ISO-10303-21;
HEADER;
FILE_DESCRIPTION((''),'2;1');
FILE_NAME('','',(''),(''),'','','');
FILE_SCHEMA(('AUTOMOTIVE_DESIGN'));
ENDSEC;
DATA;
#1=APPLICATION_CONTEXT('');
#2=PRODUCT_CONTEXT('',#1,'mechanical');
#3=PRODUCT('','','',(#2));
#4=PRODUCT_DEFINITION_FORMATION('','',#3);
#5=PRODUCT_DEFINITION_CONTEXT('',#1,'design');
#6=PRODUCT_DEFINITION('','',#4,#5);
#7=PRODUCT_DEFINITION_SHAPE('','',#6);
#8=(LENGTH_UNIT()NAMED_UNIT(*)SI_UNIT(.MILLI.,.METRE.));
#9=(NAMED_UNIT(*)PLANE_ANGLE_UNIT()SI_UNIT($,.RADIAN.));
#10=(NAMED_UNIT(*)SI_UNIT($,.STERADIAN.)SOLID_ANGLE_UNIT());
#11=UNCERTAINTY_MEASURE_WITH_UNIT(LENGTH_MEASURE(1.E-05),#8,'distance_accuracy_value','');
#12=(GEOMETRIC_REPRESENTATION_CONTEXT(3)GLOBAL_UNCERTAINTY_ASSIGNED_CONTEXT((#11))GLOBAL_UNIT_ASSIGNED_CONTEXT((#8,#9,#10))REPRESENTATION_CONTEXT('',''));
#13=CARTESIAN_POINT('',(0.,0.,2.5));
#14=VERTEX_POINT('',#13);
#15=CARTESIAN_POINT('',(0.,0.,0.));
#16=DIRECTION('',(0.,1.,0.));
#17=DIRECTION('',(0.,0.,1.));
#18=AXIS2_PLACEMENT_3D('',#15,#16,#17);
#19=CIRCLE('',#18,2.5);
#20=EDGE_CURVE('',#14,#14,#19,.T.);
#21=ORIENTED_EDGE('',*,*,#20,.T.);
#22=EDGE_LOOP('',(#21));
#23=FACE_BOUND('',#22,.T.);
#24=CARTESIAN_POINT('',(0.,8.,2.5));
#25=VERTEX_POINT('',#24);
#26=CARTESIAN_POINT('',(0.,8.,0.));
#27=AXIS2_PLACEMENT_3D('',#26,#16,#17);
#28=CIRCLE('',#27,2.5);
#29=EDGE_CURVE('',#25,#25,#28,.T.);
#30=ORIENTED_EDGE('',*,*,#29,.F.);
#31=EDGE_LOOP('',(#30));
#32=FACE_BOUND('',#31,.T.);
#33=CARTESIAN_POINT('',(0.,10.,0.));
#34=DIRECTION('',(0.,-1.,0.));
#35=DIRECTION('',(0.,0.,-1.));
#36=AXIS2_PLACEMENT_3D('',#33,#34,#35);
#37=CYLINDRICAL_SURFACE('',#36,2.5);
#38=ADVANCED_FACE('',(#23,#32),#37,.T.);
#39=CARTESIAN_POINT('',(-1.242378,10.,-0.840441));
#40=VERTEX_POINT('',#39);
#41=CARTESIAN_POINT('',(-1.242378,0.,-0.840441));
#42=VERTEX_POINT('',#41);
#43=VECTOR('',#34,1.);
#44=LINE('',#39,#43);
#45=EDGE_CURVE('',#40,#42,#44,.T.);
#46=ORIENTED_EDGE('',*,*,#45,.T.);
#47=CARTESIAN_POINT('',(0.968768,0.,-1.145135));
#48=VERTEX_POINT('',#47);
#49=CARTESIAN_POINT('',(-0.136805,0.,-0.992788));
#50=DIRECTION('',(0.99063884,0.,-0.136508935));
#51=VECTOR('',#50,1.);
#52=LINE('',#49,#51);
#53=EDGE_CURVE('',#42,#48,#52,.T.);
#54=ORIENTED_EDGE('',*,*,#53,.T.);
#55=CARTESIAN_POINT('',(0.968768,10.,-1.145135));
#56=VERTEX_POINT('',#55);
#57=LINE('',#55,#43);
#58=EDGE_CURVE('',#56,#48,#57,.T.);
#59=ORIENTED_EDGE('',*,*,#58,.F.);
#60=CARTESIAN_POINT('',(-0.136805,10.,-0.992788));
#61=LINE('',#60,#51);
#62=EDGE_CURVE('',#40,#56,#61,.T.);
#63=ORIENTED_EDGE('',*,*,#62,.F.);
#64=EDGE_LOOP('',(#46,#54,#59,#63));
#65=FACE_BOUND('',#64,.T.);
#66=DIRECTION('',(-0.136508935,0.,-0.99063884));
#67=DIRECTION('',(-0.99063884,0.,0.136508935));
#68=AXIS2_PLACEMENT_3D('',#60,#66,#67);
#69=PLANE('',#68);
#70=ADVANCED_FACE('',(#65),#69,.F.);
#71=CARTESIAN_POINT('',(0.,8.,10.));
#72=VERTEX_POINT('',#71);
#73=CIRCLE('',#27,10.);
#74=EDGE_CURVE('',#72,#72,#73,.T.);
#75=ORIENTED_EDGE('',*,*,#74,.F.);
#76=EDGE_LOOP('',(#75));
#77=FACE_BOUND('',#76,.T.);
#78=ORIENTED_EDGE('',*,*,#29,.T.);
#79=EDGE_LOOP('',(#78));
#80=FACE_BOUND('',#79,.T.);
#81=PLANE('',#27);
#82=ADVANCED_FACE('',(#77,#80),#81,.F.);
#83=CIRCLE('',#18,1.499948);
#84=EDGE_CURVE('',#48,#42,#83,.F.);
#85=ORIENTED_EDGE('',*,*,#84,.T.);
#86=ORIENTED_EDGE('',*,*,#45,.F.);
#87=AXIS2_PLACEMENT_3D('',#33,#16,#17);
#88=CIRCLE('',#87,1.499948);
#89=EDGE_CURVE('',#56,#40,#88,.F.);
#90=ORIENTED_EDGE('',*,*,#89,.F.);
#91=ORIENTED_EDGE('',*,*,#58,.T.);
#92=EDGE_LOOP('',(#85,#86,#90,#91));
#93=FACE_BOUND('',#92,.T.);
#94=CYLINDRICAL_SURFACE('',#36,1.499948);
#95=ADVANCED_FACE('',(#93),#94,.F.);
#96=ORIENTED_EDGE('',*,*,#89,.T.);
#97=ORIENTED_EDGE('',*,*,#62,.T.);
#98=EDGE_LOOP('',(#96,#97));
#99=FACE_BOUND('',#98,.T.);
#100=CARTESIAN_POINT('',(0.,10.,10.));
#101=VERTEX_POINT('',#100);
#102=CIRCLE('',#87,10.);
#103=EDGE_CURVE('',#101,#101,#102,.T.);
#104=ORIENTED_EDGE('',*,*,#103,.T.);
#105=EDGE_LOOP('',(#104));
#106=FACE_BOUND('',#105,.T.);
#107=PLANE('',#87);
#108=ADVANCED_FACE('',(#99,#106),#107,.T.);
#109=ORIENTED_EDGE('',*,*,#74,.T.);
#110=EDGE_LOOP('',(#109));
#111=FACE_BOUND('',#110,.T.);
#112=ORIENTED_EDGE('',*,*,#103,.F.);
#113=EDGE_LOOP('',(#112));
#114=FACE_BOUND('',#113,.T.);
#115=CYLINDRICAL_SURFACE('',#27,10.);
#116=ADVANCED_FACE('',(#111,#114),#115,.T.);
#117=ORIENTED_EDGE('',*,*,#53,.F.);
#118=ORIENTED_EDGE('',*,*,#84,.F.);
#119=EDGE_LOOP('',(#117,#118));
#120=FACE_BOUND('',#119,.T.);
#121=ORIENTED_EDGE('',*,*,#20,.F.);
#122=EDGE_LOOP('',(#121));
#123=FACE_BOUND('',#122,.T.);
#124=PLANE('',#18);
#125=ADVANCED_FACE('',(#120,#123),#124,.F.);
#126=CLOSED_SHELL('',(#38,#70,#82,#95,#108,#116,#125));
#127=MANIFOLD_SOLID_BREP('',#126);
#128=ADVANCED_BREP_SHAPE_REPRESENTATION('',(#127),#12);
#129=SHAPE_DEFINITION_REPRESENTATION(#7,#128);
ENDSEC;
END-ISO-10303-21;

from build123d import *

# Parameters (mm, degrees)
SKETCH1_R           = 2.5
BOSS_EXTRUDE1_DEPTH = 10
SKETCH3_R           = 10
SKETCH3_R_2         = 2.5
BOSS_EXTRUDE2_DEPTH = 2


with BuildPart() as part:
    # Sketch1 → Boss-Extrude1 (new body)
    with BuildSketch(Plane(origin=(0, 0, 0), x_dir=(1, 0, 0), z_dir=(0, 1, 0))):
        Circle(SKETCH1_R)
        with BuildLine():
            Line((-1.242447099, 0.840431559), (0.968768208, 1.14513458))
            ThreePointArc((0.968768208, 1.14513458), (0.204756352, -1.485907091), (-1.242447099, 0.840431559))
        make_face(mode=Mode.SUBTRACT)
    extrude(amount=BOSS_EXTRUDE1_DEPTH)

    # Sketch3 → Boss-Extrude2 (add)
    with BuildSketch(Plane(origin=(0, 10, 0), x_dir=(1, 0, 0), z_dir=(0, 1, 0))):
        Circle(SKETCH3_R)
        Circle(SKETCH3_R_2, mode=Mode.SUBTRACT)
    extrude(amount=-BOSS_EXTRUDE2_DEPTH)


solid = part.part
